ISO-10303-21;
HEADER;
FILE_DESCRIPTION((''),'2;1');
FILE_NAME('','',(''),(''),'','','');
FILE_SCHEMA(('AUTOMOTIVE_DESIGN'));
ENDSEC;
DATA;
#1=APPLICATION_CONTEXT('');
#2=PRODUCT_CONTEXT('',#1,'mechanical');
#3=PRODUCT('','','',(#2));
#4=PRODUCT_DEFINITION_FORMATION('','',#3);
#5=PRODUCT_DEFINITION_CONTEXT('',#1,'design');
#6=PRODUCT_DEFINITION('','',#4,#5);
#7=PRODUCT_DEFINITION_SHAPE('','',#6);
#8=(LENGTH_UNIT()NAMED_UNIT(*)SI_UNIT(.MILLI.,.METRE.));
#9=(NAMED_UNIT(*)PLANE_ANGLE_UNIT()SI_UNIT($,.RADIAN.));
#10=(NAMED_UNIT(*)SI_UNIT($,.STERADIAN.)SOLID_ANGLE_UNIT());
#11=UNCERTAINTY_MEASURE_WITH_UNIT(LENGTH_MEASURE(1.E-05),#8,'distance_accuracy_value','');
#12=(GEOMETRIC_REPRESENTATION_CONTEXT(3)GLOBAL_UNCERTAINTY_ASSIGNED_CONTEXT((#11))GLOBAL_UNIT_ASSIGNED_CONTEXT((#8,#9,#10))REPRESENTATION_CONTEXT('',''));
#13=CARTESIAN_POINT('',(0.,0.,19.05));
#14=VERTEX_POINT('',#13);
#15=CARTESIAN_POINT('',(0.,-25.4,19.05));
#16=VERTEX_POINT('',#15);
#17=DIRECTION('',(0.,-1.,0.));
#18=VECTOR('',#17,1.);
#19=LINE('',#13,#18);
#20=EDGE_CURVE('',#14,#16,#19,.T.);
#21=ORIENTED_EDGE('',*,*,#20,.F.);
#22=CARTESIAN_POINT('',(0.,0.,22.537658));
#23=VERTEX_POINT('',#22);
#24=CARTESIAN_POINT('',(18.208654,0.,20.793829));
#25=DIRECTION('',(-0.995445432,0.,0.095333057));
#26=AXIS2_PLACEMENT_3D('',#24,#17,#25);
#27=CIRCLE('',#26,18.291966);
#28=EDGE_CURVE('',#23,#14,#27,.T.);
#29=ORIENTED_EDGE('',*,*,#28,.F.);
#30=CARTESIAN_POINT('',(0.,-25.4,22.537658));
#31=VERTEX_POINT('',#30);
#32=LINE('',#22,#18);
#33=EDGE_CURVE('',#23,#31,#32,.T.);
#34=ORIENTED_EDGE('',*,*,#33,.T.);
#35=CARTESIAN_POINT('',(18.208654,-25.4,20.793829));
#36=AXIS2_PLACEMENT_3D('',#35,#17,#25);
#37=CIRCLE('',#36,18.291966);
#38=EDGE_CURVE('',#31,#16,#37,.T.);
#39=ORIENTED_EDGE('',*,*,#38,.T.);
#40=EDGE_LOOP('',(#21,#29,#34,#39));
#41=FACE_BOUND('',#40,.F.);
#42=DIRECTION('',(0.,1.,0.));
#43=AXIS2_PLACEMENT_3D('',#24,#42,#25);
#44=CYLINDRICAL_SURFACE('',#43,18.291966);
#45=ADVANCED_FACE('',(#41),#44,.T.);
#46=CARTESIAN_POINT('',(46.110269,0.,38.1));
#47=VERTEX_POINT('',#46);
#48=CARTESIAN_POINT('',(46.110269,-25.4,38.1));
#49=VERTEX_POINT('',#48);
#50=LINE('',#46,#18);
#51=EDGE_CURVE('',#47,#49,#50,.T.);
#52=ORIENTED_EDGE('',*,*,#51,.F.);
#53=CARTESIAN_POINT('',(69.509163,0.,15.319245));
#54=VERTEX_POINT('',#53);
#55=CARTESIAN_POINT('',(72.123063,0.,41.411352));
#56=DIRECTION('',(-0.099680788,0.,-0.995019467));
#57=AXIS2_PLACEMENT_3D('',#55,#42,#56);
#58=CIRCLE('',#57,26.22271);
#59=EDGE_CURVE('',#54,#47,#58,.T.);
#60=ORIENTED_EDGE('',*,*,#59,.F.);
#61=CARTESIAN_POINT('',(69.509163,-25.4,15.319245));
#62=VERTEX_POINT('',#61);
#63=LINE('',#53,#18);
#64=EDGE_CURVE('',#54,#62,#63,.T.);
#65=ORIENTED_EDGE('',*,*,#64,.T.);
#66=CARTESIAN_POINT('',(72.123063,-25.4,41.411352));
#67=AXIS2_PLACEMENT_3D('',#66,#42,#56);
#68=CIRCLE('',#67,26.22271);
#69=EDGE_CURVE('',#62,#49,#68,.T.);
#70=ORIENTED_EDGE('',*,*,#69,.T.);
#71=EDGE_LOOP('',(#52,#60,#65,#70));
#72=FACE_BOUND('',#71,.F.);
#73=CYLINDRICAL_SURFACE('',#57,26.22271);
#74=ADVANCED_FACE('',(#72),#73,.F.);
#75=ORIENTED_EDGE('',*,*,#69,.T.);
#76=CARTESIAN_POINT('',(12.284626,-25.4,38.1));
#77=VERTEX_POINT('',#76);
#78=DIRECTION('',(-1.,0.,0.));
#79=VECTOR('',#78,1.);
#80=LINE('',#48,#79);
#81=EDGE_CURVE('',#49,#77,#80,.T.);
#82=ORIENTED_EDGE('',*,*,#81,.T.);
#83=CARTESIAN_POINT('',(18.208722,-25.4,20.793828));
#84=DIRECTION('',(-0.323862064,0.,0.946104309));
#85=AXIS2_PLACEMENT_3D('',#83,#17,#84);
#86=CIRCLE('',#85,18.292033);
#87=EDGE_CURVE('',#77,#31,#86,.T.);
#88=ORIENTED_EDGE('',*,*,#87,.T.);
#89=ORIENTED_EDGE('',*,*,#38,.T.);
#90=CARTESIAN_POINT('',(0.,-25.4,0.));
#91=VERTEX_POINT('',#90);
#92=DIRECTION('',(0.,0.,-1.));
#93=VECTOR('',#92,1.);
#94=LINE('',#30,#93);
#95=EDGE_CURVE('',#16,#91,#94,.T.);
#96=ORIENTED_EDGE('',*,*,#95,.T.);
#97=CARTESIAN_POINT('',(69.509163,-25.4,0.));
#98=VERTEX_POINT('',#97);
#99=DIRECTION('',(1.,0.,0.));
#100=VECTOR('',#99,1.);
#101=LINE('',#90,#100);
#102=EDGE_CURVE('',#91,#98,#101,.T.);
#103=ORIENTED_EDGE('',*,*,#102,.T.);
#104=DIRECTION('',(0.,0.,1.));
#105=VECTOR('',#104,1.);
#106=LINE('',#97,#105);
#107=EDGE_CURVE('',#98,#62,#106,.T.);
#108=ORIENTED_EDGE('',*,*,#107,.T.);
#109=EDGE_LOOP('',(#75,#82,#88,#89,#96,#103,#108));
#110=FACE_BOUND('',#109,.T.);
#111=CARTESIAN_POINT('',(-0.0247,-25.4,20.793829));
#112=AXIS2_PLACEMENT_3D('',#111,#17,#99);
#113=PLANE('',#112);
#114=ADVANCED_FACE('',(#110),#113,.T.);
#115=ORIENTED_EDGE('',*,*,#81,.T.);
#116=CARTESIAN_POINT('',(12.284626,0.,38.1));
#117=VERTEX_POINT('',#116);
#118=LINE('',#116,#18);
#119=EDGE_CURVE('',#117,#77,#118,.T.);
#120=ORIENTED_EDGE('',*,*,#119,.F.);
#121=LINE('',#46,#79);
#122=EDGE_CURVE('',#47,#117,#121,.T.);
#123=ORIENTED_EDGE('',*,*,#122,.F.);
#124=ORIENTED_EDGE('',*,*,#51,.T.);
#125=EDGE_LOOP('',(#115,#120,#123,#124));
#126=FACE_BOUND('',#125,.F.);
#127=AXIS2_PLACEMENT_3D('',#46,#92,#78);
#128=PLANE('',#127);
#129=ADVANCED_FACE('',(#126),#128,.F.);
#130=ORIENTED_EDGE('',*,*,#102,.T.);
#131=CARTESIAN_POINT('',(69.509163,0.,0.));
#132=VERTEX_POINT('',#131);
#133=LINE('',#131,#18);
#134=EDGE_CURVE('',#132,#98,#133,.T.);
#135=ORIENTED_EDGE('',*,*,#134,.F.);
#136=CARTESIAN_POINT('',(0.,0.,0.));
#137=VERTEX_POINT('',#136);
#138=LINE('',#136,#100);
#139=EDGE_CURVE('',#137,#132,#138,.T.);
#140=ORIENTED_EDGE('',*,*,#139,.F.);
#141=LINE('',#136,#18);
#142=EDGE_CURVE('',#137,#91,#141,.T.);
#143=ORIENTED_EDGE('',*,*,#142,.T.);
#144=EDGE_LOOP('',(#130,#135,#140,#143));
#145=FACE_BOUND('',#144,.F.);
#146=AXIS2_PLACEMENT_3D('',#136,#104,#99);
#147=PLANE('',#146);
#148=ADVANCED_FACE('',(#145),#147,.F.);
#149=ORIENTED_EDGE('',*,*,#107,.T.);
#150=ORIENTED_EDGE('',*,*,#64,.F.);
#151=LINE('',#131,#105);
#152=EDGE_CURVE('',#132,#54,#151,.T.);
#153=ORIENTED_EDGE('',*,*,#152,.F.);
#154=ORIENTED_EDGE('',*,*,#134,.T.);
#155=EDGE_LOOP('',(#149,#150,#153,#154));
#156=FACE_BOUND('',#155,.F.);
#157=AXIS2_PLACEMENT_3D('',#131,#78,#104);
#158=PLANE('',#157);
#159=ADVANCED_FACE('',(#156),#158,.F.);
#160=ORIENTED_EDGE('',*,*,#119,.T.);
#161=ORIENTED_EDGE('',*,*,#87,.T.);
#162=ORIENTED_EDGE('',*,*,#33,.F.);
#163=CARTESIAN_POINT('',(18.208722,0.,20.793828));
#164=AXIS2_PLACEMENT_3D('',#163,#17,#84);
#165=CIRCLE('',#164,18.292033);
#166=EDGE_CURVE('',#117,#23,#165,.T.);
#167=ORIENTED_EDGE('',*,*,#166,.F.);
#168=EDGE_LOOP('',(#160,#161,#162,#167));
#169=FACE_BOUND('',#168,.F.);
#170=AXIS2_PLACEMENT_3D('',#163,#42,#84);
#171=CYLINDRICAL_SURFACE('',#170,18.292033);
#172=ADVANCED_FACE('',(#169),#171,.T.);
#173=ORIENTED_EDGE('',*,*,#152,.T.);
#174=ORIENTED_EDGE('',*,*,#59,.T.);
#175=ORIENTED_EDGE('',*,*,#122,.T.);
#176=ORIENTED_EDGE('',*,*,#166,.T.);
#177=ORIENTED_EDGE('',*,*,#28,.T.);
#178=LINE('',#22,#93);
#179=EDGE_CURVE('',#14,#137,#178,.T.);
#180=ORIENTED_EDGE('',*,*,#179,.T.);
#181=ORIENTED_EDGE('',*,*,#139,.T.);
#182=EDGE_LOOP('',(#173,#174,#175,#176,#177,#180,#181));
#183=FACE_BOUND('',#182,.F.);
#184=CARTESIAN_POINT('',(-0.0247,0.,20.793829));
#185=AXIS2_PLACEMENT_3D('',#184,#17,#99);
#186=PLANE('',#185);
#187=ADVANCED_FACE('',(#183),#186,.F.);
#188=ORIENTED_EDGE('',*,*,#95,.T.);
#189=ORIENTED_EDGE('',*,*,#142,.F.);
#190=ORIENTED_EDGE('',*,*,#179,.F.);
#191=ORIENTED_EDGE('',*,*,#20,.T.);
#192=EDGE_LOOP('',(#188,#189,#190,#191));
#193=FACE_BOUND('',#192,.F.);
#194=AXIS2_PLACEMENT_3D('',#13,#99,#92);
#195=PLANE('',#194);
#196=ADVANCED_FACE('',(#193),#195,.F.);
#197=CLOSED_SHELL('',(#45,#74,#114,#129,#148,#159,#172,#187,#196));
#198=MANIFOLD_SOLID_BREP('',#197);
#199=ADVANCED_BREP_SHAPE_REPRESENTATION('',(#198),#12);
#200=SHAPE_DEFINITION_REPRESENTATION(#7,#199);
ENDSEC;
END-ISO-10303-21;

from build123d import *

# Parameters (mm, degrees)
F1_DEPTH = 25.4


with BuildPart() as f1:
    # F0 (on Front) → F1 (new body)
    with BuildSketch(Plane.XZ):
        with BuildLine():
            ThreePointArc((0, 22.537658), (-0.083312, 20.793829), (0, 19.05))
            Line((0, 19.05), (0, 22.537658))
        make_face()
        with BuildLine():
            Line((0, 19.05), (0, 0))
            Line((0, 0), (69.509163, 0))
            Line((69.509163, 0), (69.509163, 15.319245))
            ThreePointArc((69.509163, 15.319245), (53.830644, 22.622581), (46.110269, 38.1))
            Line((46.110269, 38.1), (12.284626, 38.1))
            ThreePointArc((12.284626, 38.1), (3.850977, 32.127568), (0, 22.537658))
            Line((0, 22.537658), (0, 19.05))
        make_face()
    extrude(amount=F1_DEPTH)


solid = f1.part
